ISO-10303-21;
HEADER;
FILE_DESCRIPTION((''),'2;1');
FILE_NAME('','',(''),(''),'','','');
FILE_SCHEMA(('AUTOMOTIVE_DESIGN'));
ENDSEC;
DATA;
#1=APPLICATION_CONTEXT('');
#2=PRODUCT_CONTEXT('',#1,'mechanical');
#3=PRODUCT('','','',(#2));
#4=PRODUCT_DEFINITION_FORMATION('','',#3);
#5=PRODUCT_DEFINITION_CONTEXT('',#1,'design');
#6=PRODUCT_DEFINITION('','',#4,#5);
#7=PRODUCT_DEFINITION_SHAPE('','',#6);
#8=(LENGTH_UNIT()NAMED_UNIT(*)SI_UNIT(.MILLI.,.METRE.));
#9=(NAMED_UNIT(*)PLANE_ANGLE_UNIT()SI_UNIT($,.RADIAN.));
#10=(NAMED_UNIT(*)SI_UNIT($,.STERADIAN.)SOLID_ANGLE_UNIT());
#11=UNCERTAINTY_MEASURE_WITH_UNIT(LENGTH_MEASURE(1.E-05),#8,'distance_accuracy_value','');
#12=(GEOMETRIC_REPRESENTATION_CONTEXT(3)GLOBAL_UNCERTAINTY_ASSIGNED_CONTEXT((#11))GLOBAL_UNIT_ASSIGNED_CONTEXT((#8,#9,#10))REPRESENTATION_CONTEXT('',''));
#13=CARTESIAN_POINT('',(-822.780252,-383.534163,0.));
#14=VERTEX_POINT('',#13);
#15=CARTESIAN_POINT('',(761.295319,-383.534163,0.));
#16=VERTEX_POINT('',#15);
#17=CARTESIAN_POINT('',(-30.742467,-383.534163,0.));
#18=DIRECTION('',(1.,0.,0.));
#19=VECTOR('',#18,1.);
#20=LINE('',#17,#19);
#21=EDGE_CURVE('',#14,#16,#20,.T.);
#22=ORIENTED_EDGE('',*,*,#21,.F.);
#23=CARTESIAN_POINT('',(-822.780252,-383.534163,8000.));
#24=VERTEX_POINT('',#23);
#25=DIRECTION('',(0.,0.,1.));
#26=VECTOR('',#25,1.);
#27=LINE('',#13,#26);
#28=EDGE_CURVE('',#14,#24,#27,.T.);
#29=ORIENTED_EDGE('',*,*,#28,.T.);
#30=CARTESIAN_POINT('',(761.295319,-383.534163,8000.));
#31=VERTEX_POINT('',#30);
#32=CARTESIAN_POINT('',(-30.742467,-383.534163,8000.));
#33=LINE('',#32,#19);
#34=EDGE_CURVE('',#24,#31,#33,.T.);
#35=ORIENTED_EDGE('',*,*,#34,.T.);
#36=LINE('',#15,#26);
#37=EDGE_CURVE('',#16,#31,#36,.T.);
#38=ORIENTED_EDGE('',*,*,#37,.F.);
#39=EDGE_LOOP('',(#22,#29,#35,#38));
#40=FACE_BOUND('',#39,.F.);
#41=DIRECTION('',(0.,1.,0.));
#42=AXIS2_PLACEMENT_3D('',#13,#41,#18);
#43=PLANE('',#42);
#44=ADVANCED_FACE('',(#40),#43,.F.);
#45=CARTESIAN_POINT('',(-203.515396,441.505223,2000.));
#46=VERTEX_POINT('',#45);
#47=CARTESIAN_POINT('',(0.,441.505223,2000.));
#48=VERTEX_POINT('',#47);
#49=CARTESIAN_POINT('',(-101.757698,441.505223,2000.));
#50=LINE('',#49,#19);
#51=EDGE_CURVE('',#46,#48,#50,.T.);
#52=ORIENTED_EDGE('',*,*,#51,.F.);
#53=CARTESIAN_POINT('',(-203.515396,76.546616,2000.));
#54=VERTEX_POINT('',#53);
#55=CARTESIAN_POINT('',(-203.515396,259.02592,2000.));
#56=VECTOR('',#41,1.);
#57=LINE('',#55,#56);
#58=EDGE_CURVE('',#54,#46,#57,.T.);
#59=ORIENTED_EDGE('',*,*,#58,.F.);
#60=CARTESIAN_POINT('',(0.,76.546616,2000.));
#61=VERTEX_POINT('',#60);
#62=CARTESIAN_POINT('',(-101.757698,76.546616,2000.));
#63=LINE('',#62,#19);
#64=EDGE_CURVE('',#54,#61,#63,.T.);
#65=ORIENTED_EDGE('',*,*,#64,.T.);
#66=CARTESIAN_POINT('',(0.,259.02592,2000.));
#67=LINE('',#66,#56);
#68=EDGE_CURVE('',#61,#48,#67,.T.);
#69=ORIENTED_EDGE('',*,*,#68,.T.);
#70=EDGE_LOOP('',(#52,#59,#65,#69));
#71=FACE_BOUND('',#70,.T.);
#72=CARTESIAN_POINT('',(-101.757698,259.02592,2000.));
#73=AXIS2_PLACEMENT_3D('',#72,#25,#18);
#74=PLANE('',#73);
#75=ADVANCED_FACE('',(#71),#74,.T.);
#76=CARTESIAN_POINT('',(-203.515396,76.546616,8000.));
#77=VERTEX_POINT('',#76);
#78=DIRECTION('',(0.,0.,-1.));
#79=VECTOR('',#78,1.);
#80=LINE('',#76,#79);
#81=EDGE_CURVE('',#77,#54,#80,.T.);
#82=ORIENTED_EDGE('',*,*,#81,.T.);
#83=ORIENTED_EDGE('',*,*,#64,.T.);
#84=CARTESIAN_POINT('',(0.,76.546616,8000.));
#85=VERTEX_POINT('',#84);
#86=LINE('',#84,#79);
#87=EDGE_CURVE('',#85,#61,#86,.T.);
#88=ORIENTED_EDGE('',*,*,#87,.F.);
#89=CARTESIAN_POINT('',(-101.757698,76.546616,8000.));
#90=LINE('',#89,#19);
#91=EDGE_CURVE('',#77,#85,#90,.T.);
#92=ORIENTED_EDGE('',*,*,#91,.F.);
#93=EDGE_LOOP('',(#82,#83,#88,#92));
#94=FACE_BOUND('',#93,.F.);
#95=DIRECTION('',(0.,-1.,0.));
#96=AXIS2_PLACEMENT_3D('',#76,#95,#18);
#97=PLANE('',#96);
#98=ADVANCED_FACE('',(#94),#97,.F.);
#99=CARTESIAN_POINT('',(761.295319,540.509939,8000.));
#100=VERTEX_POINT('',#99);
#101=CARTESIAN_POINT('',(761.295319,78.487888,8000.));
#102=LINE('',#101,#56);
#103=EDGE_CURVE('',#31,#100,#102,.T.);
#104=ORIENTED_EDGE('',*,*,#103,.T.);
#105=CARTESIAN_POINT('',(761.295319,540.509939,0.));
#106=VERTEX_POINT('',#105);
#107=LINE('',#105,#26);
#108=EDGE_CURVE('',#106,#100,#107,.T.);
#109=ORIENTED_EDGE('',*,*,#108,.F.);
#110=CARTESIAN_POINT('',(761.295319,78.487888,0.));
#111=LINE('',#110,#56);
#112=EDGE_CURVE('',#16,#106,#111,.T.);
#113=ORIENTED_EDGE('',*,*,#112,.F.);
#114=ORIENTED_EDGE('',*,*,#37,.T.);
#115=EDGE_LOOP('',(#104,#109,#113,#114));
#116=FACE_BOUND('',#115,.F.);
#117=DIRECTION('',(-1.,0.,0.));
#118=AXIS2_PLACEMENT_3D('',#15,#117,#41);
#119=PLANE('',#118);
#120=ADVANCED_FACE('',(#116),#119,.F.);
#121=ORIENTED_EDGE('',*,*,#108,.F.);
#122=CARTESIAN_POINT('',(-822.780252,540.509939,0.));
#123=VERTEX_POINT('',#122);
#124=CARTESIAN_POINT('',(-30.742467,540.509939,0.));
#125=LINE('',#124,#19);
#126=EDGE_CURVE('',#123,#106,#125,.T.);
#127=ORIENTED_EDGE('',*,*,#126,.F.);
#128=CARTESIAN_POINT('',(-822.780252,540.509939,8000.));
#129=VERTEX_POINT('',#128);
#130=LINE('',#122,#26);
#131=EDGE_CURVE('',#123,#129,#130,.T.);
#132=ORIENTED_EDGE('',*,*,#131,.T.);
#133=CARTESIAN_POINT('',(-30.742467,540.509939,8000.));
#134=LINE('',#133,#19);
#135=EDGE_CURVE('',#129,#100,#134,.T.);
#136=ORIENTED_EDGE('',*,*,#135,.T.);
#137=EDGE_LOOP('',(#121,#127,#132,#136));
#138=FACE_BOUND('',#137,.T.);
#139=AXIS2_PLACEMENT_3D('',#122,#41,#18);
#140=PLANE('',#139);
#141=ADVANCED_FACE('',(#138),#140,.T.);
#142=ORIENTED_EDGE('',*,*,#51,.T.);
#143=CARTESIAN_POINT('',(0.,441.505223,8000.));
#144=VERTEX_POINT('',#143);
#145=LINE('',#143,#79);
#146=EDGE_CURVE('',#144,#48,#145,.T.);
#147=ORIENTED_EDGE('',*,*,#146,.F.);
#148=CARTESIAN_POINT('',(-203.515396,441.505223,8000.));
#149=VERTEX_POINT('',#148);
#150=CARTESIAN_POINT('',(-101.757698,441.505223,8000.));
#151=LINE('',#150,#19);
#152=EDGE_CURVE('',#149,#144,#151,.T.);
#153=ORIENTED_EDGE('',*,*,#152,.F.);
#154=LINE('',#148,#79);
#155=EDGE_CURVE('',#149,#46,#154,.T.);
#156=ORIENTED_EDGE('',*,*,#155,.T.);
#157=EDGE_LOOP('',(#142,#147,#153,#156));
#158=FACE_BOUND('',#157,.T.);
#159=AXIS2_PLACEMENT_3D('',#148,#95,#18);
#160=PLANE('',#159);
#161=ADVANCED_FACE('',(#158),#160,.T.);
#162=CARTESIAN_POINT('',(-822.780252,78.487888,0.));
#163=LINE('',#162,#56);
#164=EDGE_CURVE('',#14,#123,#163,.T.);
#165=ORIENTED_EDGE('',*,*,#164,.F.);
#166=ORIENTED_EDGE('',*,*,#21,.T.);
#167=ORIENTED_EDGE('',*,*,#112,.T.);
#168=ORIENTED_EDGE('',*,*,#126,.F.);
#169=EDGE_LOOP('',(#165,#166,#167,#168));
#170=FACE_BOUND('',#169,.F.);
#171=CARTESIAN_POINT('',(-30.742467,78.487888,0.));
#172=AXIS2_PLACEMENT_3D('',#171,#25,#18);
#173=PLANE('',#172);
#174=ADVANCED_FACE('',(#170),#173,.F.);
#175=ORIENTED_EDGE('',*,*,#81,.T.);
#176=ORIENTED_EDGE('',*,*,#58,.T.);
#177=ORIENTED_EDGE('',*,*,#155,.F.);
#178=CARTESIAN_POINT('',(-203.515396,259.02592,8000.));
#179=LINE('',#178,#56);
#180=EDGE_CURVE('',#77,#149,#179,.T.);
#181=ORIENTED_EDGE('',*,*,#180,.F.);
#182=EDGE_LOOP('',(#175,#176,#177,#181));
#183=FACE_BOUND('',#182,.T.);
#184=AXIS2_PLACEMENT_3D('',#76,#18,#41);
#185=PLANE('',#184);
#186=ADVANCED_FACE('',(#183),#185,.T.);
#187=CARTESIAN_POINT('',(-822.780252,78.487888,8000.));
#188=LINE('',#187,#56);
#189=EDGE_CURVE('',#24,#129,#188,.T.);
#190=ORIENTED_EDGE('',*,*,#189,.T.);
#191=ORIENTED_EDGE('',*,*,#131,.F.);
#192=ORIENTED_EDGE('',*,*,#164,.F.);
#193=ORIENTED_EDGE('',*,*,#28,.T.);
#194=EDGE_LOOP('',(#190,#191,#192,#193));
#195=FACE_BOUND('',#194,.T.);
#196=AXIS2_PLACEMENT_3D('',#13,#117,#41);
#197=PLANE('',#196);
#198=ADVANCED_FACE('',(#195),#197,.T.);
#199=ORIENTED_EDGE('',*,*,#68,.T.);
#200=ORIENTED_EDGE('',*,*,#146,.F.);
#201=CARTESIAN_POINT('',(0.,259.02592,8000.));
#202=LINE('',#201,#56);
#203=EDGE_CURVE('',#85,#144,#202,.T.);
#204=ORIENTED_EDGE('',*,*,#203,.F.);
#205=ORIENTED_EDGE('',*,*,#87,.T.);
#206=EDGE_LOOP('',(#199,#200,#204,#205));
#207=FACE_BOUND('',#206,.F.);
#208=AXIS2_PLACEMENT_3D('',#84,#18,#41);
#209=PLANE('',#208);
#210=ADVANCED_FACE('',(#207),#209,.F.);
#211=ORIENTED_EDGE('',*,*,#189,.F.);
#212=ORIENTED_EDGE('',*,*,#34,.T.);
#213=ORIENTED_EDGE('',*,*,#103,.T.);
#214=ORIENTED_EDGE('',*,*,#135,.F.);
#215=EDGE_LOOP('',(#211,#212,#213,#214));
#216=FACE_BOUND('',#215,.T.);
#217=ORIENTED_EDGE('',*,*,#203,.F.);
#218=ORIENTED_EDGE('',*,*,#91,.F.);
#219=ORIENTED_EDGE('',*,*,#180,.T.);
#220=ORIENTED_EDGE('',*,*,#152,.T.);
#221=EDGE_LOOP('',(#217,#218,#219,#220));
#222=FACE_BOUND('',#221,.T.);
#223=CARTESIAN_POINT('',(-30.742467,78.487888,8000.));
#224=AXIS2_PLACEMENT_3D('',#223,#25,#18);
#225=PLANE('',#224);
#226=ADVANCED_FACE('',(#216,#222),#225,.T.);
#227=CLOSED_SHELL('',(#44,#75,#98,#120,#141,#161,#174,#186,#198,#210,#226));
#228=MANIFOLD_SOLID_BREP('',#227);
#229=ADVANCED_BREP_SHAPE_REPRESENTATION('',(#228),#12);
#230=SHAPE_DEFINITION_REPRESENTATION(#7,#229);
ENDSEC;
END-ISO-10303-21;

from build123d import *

# Parameters (mm, degrees)
F1_W     = 1584.075571
F1_H     = 924.044102
F2_DEPTH = 8000
F3_W     = 203.515396
F3_H     = 364.958607
F4_DEPTH = 6000


with BuildPart() as f2:
    # F1 (on face) → F2 (new body)
    with BuildSketch(Plane.XY):
        with Locations((-30.742467, 78.487888)):
            Rectangle(F1_W, F1_H)
    extrude(amount=F2_DEPTH)

    # F3 (on face) → F4 (cut)
    with BuildSketch(Plane.XY.offset(8000)):
        with Locations((-101.757698, 259.02592)):
            Rectangle(F3_W, F3_H)
    extrude(amount=-F4_DEPTH, mode=Mode.SUBTRACT)


solid = f2.part
